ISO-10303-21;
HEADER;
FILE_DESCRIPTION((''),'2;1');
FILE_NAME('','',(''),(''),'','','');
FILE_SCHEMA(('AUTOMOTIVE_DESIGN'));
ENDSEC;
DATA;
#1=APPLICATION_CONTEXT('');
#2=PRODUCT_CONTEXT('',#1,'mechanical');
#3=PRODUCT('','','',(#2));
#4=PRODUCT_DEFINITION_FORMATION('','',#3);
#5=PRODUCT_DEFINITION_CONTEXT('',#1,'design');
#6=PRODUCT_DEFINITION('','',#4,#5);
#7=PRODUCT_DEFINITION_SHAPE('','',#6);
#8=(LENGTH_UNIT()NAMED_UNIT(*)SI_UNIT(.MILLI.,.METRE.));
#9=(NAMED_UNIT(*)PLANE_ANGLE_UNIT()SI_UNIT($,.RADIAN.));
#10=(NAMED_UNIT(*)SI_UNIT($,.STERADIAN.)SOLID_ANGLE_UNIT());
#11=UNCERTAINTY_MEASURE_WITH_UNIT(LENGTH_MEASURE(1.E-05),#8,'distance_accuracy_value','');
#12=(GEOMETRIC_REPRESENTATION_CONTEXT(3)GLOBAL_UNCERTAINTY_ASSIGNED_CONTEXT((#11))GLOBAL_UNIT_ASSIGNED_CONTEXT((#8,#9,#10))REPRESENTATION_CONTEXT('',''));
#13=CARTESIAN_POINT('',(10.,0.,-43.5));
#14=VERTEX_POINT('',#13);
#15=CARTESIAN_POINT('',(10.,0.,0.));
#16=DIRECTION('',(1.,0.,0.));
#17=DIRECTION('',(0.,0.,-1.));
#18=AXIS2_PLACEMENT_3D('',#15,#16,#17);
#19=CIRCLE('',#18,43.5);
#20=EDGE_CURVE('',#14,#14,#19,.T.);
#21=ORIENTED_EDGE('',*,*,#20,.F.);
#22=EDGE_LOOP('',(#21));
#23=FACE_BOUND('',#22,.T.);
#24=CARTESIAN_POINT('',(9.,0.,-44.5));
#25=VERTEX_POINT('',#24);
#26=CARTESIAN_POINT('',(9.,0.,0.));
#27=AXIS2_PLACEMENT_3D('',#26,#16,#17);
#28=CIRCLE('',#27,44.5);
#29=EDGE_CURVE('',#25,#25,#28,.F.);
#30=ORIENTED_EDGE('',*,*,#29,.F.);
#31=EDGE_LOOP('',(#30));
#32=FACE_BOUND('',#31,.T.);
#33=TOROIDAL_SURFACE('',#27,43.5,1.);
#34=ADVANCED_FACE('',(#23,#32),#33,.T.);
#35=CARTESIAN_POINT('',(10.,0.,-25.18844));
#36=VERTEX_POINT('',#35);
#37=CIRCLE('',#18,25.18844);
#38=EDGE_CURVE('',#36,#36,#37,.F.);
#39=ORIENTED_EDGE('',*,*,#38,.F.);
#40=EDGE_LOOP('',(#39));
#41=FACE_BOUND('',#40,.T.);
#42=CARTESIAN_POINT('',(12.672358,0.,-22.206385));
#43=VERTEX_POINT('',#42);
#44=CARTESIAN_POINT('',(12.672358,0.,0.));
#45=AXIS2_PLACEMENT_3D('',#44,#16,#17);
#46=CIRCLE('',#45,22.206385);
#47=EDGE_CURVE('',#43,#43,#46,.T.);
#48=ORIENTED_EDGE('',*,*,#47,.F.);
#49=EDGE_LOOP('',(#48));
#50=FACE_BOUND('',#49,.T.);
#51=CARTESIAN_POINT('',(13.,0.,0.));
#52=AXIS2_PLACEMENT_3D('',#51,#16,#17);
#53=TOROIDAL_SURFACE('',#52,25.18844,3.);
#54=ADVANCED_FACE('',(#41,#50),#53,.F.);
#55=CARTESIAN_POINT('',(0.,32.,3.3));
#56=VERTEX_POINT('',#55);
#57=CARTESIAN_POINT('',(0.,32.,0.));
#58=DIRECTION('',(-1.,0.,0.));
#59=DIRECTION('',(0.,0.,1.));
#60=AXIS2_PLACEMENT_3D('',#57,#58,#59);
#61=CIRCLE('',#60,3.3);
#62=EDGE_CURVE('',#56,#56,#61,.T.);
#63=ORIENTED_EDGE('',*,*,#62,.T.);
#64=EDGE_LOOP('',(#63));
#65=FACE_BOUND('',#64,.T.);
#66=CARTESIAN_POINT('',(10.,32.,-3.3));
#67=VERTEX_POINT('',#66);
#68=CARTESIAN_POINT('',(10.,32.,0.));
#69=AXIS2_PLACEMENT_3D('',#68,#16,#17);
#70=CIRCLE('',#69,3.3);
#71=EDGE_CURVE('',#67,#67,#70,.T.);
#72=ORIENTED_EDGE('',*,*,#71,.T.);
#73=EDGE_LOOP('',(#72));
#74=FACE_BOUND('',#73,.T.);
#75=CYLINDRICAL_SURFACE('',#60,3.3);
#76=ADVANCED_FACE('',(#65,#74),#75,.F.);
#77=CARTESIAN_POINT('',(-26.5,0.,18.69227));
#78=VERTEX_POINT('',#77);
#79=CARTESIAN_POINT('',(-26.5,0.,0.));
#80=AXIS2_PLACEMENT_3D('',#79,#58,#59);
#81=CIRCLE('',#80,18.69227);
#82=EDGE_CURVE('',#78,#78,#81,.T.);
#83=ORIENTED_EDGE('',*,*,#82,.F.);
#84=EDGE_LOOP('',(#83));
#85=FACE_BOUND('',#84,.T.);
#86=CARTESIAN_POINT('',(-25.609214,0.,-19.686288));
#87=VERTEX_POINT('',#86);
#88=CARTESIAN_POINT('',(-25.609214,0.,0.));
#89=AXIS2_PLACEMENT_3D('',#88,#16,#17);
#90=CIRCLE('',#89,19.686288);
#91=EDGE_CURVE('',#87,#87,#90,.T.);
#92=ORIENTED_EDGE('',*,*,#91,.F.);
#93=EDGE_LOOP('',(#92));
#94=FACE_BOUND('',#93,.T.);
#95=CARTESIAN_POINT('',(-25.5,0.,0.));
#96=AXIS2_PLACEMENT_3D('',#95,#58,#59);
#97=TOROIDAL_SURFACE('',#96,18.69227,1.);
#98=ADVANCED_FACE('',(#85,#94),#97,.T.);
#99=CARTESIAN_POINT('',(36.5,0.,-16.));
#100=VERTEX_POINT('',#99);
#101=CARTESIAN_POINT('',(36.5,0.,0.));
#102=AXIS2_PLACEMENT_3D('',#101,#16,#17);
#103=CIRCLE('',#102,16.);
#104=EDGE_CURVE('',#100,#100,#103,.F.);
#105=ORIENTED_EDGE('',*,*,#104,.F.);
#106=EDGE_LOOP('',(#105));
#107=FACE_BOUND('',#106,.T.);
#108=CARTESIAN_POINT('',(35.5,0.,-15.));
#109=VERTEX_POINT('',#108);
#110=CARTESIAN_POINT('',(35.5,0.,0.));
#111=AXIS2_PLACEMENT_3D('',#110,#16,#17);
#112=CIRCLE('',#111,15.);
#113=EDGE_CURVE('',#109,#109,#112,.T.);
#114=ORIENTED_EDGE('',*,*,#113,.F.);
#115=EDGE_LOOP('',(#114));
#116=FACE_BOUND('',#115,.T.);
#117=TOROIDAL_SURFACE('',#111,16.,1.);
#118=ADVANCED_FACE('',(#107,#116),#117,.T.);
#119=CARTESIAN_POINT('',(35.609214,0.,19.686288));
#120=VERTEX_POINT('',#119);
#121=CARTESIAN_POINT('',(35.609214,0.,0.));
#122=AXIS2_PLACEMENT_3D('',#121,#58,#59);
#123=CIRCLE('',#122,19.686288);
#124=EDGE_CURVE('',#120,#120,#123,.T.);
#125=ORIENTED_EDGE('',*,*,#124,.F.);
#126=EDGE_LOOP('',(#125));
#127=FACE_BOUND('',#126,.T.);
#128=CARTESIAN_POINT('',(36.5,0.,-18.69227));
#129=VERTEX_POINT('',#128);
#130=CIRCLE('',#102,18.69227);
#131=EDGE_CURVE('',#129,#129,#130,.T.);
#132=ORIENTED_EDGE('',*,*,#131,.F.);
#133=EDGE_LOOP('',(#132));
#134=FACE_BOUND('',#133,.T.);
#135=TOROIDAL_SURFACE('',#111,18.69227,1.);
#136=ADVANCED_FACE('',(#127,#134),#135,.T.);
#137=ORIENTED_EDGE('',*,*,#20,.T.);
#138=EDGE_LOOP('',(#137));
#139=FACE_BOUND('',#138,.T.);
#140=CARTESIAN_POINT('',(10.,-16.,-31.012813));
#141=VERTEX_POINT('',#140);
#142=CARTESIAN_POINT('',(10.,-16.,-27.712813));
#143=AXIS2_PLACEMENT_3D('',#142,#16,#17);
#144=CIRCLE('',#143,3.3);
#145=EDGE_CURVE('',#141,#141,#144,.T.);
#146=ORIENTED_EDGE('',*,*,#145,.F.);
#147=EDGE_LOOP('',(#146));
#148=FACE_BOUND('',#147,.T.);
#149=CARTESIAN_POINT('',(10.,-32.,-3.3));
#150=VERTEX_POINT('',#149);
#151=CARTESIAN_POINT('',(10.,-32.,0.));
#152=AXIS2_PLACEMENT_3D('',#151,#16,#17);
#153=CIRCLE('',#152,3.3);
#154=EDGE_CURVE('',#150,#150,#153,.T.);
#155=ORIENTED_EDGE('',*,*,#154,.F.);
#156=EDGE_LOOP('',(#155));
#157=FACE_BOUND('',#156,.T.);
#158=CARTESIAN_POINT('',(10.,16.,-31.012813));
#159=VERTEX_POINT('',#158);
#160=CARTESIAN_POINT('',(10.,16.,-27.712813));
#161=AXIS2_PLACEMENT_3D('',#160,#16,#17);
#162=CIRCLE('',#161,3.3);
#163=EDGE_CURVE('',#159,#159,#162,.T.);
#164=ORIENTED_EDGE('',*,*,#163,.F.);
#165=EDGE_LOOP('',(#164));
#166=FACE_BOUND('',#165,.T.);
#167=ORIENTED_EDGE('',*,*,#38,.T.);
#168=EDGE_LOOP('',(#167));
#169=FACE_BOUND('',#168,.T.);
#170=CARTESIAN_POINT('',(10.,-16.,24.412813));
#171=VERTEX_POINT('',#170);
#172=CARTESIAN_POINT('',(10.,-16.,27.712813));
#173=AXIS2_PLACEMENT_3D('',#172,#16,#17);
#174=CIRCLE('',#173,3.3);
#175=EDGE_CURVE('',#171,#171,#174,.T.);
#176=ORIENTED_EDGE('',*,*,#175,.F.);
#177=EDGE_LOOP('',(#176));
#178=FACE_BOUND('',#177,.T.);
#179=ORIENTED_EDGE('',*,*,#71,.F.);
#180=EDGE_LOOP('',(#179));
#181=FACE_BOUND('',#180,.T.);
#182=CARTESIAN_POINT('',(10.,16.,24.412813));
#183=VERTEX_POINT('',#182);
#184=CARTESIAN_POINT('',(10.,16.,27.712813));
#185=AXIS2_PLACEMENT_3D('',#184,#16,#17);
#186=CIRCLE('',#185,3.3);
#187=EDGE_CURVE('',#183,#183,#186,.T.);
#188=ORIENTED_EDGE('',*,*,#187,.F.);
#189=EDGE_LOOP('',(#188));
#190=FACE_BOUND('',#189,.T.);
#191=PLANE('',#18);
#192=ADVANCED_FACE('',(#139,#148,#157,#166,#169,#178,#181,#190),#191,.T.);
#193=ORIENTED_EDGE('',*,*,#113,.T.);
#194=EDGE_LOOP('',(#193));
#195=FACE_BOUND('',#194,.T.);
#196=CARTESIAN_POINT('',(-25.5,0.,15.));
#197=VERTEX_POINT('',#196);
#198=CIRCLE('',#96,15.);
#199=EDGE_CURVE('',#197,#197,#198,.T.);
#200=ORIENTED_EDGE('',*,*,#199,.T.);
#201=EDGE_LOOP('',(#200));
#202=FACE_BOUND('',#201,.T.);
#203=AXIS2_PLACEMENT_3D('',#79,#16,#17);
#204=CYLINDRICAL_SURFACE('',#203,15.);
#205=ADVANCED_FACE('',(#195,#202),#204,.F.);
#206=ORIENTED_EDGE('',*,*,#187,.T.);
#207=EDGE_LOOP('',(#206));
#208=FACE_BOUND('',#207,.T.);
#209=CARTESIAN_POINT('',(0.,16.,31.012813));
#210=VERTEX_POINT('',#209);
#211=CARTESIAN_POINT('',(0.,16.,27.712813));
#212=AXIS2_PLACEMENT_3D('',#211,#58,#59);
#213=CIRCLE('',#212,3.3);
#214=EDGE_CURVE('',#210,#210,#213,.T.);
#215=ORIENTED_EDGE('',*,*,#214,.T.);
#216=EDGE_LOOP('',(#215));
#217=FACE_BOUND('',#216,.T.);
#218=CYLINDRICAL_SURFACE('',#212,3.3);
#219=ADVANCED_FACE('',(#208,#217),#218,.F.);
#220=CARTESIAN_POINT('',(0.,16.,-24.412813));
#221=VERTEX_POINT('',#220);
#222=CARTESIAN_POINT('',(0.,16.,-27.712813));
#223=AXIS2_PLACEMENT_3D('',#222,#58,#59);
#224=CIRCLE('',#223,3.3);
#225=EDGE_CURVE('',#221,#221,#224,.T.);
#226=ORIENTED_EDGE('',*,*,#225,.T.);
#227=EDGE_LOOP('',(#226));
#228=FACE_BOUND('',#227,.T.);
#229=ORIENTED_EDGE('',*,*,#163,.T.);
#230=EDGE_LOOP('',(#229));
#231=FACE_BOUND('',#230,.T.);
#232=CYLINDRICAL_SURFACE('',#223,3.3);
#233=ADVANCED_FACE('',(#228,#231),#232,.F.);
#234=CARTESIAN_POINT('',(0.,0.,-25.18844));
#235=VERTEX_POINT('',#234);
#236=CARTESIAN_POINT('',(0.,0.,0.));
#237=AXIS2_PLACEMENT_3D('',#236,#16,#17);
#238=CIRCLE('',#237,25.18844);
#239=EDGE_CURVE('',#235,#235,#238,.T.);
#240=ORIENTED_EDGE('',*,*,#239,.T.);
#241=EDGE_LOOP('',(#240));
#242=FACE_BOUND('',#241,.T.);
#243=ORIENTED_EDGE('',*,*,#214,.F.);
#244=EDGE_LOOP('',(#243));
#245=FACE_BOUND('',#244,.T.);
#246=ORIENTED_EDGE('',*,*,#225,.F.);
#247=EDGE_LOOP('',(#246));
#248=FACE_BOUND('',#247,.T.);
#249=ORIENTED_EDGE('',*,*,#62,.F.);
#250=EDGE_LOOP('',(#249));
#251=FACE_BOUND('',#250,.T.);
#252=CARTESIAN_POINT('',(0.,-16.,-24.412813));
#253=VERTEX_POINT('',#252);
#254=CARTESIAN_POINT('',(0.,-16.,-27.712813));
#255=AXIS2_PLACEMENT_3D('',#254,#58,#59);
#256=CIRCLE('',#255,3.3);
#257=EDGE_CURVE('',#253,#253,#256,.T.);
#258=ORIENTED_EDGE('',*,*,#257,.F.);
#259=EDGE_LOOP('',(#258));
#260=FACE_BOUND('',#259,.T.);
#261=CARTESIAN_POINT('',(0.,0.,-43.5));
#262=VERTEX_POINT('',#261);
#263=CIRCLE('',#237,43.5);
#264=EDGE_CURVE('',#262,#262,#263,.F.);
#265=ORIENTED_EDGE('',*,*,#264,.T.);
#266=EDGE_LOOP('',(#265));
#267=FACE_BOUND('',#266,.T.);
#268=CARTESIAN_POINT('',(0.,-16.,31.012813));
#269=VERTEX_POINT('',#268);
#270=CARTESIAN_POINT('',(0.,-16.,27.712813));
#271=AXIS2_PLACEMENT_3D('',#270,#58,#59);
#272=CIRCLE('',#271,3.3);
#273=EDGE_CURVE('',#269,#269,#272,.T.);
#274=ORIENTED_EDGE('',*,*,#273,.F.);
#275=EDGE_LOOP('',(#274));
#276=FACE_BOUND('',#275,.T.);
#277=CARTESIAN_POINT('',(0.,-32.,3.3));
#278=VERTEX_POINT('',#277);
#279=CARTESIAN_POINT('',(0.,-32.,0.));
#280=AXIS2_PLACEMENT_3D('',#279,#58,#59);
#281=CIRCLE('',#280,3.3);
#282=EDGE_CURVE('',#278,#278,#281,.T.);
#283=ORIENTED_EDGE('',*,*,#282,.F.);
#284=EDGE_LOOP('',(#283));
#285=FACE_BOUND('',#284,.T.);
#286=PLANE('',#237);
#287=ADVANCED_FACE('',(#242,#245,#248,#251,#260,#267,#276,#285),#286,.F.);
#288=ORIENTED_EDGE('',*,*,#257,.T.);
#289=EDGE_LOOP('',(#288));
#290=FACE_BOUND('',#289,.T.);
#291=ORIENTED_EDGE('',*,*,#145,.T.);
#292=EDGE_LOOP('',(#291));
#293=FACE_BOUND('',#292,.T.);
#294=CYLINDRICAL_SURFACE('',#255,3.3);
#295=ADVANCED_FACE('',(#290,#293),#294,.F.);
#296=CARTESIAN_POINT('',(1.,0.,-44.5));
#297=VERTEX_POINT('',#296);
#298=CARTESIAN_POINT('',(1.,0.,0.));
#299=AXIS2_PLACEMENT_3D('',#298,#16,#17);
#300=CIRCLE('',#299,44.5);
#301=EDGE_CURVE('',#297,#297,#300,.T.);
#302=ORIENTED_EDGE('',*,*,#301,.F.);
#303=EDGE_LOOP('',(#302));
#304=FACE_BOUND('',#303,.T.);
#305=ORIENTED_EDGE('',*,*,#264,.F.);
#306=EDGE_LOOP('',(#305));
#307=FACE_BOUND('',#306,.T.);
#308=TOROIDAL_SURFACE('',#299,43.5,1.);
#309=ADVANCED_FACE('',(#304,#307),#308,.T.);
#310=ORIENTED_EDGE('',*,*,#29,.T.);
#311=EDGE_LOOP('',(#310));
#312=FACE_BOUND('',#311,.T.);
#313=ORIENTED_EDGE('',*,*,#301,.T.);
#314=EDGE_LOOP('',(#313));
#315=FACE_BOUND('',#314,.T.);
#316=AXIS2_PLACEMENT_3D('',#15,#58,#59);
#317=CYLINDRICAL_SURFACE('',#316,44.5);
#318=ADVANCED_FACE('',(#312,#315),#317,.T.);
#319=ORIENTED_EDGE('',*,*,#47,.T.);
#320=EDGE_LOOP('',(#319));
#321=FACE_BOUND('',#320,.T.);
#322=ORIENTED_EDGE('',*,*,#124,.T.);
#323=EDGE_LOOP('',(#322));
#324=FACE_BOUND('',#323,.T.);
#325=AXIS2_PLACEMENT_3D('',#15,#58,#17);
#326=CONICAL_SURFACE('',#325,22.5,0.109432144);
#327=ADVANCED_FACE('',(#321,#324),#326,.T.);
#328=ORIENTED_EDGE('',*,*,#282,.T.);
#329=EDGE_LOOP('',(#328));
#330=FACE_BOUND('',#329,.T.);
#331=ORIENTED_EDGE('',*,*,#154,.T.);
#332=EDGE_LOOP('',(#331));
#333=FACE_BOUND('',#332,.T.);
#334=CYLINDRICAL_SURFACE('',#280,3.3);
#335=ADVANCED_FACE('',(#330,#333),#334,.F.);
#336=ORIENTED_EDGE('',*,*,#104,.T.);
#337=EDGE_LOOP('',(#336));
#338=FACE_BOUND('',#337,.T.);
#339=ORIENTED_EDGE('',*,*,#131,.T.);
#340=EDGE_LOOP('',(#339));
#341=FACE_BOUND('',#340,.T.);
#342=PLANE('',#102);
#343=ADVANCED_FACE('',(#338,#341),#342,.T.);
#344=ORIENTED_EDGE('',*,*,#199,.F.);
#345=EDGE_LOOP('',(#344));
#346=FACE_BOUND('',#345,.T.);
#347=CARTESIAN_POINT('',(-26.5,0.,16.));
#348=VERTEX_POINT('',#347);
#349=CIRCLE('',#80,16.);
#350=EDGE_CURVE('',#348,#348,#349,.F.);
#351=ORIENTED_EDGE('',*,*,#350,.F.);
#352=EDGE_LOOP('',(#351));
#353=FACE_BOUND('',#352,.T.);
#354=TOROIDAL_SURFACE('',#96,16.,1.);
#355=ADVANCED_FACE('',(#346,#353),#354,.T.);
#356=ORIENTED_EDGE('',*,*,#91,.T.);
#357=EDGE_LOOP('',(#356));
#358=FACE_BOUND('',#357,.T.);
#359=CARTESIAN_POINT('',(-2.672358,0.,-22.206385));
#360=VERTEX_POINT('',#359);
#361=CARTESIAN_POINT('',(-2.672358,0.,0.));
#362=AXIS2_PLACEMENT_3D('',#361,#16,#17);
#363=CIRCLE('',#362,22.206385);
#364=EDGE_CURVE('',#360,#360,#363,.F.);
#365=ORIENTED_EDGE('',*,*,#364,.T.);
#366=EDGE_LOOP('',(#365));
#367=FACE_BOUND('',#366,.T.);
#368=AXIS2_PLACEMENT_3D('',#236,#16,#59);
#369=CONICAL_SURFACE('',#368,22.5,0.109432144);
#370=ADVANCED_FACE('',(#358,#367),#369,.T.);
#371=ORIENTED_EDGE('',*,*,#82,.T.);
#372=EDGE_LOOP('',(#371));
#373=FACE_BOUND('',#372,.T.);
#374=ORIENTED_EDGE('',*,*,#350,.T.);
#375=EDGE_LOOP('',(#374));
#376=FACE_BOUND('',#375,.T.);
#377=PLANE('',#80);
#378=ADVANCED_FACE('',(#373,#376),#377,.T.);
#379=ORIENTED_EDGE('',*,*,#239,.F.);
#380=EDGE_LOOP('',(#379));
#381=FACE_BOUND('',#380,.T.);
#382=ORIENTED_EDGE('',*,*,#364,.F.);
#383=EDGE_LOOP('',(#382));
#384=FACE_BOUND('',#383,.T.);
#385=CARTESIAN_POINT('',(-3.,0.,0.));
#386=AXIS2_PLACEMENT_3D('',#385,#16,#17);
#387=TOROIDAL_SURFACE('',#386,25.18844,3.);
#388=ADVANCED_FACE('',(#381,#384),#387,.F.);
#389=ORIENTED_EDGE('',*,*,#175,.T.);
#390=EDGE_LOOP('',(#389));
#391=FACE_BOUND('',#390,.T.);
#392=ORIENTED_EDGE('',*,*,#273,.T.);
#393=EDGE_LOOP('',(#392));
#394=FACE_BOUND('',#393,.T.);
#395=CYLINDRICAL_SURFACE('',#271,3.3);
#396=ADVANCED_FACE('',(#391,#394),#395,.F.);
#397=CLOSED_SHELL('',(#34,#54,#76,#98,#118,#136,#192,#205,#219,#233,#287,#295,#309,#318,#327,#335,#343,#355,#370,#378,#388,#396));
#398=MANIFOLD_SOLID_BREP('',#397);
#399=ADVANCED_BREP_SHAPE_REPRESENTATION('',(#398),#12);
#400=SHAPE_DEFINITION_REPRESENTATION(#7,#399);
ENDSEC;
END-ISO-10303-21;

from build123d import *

# Parameters (mm, degrees)
SKETCH1_R            = 44.5
BOSS_EXTRUDE1_DEPTH  = 10
SKETCH3_R            = 22.5
BOSS_EXTRUDE2_DEPTH  = 26.5
BOSS_EXTRUDE2_TAPER  = 6.27
SKETCH4_R            = 22.5
BOSS_EXTRUDE3_DEPTH  = 26.5
BOSS_EXTRUDE3_TAPER  = 6.27
FILLET1_R            = 3
FILLET2_R            = 3
SKETCH5_R            = 15
CUT_EXTRUDE1_DEPTH   = 90.047740076
FILLET3_R            = 1
FILLET4_R            = 1
FILLET5_R            = 1
M6_CLEARANCE_HOLE2_D = 6.6
CIRPATTERN2_COUNT    = 6


with BuildPart() as part:
    # Sketch1 → Boss-Extrude1 (new body)
    with BuildSketch(Plane(origin=(0, 0, 0), x_dir=(0, 0, -1), z_dir=(1, 0, 0))):
        Circle(SKETCH1_R)
    extrude(amount=BOSS_EXTRUDE1_DEPTH)

    # Sketch3 → Boss-Extrude2 (add)
    with BuildSketch(Plane.ZY):
        Circle(SKETCH3_R)
    extrude(amount=BOSS_EXTRUDE2_DEPTH, taper=BOSS_EXTRUDE2_TAPER)

    # Sketch4 → Boss-Extrude3 (add)
    with BuildSketch(Plane(origin=(10, 0, 0), x_dir=(0, 0, -1), z_dir=(1, 0, 0))):
        Circle(SKETCH4_R)
    extrude(amount=BOSS_EXTRUDE3_DEPTH, taper=BOSS_EXTRUDE3_TAPER)

    # Fillet1
    fillet1_edges = [part.edges().sort_by_distance(p)[0] for p in [
        (10, 0, 22.5),
    ]]
    fillet(fillet1_edges, radius=FILLET1_R)

    # Fillet2
    fillet2_edges = [part.edges().sort_by_distance(p)[0] for p in [
        (0, 0, -22.5),
    ]]
    fillet(fillet2_edges, radius=FILLET2_R)

    # Sketch5 → Cut-Extrude1 (cut, through all)
    with BuildSketch(Plane(origin=(36.5, 0, 0), x_dir=(0, 0, -1), z_dir=(1, 0, 0))):
        Circle(SKETCH5_R)
    extrude(amount=-CUT_EXTRUDE1_DEPTH, mode=Mode.SUBTRACT)

    # Fillet3
    fillet3_edges = [part.edges().sort_by_distance(p)[0] for p in [
        (36.5, 0, 19.588416438),
        (36.5, 0, 15),
    ]]
    fillet(fillet3_edges, radius=FILLET3_R)

    # Fillet4
    fillet4_edges = [part.edges().sort_by_distance(p)[0] for p in [
        (-26.5, 0, 15),
        (-26.5, 0, -19.588416438),
    ]]
    fillet(fillet4_edges, radius=FILLET4_R)

    # Fillet5
    fillet5_edges = [part.edges().sort_by_distance(p)[0] for p in [
        (0, 0, 44.5),
        (10, 0, 44.5),
    ]]
    fillet(fillet5_edges, radius=FILLET5_R)

    # M6 Clearance Hole2 (through all)
    with Locations(Plane.ZY):
        with Locations((0, 32)):
            m6_clearance_hole2 = Hole(M6_CLEARANCE_HOLE2_D / 2)

    # CirPattern2: M6 Clearance Hole2 ×6 about axis
    cirpattern2_axis = Axis((0, 0, 0), (1, 0, 0))
    for i in range(1, CIRPATTERN2_COUNT):
        add(m6_clearance_hole2.rotate(cirpattern2_axis, i * 360 / CIRPATTERN2_COUNT), mode=Mode.SUBTRACT)


solid = part.part
